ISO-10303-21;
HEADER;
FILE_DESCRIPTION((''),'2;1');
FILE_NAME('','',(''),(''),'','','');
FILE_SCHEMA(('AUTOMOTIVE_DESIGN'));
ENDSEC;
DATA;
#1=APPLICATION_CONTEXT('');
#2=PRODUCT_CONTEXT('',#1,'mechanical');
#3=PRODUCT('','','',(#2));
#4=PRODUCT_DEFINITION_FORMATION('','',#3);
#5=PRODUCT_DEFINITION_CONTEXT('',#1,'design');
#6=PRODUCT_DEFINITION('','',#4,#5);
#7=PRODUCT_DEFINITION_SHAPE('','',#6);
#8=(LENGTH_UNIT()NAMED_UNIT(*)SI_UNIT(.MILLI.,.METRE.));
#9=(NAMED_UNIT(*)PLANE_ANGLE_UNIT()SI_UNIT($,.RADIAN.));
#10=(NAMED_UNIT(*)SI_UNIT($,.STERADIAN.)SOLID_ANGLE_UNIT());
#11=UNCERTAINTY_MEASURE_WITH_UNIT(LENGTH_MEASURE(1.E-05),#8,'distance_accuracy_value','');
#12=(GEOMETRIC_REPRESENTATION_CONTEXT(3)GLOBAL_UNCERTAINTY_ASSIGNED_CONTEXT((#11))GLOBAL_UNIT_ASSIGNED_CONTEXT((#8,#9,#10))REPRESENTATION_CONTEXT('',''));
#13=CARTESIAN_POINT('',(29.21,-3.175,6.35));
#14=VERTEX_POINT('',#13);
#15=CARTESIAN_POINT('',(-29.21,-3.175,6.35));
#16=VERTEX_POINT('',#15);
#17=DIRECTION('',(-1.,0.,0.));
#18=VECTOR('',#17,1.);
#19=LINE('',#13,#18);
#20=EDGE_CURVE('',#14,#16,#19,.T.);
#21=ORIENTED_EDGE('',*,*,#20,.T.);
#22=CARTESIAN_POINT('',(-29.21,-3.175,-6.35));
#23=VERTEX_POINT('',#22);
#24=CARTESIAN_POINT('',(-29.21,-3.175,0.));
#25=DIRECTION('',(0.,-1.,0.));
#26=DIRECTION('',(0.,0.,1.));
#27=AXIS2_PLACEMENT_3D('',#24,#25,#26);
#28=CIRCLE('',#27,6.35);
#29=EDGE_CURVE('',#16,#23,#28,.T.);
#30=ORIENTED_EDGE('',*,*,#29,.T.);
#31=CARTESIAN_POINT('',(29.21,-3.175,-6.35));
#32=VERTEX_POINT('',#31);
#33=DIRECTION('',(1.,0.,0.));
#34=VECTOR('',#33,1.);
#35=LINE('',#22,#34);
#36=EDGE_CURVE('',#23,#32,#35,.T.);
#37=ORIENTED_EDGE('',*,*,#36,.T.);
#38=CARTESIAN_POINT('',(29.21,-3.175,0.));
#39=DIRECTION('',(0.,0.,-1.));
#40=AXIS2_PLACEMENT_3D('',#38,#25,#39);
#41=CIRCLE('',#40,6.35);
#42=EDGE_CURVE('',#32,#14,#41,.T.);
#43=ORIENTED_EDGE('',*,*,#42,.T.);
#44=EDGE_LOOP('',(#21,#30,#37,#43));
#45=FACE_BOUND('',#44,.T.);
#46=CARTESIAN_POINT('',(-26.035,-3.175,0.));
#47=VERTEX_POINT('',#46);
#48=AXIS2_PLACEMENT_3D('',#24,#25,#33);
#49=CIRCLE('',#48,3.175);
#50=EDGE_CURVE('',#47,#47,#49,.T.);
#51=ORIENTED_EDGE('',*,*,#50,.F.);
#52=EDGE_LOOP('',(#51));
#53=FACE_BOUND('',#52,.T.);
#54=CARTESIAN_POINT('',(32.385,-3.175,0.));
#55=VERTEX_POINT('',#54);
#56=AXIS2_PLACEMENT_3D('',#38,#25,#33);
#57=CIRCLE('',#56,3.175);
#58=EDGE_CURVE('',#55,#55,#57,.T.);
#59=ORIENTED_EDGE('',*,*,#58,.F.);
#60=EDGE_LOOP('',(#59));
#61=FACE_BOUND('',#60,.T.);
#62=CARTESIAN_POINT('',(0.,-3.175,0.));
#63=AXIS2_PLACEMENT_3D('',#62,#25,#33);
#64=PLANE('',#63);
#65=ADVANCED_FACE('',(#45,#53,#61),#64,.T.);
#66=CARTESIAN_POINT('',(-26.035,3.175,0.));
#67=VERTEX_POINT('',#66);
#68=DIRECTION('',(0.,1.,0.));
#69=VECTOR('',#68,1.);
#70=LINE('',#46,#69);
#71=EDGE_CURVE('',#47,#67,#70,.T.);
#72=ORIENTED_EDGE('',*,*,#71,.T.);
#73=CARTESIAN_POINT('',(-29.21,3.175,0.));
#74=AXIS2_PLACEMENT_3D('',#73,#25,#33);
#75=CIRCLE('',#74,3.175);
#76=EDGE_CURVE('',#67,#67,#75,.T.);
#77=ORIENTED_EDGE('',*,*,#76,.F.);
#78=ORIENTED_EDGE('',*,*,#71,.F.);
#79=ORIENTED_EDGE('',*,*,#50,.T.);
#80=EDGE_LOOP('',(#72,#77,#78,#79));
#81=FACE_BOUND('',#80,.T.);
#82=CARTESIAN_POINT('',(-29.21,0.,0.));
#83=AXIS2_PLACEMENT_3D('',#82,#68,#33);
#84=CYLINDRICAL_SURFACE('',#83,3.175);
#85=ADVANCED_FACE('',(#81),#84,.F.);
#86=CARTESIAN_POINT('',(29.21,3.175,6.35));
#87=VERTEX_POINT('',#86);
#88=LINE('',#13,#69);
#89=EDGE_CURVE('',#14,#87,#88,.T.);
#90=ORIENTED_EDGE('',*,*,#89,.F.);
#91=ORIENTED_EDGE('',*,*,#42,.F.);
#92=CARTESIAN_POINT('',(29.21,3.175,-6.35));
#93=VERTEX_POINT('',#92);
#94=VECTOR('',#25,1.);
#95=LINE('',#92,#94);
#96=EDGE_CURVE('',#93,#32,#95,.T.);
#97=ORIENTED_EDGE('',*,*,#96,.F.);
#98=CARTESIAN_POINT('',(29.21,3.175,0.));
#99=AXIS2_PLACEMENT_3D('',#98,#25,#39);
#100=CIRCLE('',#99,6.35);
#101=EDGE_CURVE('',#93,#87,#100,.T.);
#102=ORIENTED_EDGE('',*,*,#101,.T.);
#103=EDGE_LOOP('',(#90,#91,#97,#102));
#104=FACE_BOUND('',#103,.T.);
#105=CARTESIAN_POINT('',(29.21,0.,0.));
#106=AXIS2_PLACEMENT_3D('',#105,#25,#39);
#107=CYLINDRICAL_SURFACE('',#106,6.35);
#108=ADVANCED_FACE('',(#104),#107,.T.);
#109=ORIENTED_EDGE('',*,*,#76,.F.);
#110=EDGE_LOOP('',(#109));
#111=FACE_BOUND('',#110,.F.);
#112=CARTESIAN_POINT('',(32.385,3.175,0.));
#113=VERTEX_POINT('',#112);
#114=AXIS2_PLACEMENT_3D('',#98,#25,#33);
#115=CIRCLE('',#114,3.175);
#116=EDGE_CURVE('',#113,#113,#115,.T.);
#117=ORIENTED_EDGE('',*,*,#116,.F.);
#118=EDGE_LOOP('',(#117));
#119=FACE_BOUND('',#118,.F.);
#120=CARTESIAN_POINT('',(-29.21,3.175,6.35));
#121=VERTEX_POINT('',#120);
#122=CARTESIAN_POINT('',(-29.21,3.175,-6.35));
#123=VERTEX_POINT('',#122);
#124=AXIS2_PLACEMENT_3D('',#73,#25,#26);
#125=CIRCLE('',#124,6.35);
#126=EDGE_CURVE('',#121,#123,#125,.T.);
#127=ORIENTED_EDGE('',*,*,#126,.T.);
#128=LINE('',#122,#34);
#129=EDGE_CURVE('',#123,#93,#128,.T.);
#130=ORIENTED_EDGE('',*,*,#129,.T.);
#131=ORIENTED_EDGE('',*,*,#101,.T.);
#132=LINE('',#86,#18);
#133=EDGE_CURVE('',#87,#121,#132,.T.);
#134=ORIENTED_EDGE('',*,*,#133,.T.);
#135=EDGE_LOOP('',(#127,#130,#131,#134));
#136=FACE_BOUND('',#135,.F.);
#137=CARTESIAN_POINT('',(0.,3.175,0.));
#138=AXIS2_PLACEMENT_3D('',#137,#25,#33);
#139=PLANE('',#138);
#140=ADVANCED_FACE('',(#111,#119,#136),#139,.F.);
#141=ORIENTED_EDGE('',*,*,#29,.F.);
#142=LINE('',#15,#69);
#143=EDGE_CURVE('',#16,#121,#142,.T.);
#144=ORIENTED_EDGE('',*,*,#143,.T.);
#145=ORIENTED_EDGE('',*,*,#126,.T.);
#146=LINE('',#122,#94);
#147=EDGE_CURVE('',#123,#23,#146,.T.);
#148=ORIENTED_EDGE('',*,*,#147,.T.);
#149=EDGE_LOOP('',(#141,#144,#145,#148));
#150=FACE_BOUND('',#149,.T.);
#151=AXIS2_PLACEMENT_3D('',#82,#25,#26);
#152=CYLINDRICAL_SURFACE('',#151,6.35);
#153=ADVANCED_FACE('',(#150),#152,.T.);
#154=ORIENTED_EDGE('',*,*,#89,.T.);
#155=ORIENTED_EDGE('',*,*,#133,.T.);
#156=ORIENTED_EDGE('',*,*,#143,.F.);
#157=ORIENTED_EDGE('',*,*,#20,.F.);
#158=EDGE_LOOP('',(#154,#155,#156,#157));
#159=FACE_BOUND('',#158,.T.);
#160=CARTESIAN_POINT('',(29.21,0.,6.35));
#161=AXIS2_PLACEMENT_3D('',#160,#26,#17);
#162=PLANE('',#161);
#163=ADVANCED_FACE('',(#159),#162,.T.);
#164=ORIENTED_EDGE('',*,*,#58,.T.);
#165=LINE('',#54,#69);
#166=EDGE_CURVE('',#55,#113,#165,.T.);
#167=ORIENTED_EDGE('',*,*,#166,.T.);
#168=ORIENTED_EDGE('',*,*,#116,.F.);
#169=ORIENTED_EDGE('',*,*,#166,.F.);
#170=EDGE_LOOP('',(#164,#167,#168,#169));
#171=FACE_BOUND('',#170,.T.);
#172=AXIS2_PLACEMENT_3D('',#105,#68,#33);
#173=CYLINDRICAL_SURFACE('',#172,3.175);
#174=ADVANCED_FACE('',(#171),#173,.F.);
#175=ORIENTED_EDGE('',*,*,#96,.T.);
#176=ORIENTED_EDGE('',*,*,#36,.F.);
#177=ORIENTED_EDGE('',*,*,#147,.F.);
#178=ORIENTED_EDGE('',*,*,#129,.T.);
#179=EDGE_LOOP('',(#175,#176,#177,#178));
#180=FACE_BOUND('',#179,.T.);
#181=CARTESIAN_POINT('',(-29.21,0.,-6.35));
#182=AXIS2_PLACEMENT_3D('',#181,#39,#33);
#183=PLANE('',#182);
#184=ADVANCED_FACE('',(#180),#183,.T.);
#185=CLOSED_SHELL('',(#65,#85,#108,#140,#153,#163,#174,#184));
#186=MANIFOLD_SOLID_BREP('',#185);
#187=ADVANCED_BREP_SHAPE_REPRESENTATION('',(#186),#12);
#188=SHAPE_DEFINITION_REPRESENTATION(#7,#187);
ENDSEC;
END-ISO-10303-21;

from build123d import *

# Parameters (mm, degrees)
F0_R     = 3.175
F1_DEPTH = 3.175


with BuildPart() as f1:
    # F0 (on Front) → F1 (new body, symmetric)
    with BuildSketch(Plane.XZ):
        with BuildLine():
            Line((0, 6.35), (-29.21, 6.35))
            ThreePointArc((-29.21, 6.35), (-35.56, 0), (-29.21, -6.35))
            Line((-29.21, -6.35), (0, -6.35))
            Line((0, -6.35), (29.21, -6.35))
            ThreePointArc((29.21, -6.35), (35.56, 0), (29.21, 6.35))
            Line((29.21, 6.35), (0, 6.35))
        make_face()
        with Locations((-29.21, 0)):
            Circle(F0_R, mode=Mode.SUBTRACT)
        with Locations((29.21, 0)):
            Circle(F0_R, mode=Mode.SUBTRACT)
    extrude(amount=F1_DEPTH, both=True)


solid = f1.part
